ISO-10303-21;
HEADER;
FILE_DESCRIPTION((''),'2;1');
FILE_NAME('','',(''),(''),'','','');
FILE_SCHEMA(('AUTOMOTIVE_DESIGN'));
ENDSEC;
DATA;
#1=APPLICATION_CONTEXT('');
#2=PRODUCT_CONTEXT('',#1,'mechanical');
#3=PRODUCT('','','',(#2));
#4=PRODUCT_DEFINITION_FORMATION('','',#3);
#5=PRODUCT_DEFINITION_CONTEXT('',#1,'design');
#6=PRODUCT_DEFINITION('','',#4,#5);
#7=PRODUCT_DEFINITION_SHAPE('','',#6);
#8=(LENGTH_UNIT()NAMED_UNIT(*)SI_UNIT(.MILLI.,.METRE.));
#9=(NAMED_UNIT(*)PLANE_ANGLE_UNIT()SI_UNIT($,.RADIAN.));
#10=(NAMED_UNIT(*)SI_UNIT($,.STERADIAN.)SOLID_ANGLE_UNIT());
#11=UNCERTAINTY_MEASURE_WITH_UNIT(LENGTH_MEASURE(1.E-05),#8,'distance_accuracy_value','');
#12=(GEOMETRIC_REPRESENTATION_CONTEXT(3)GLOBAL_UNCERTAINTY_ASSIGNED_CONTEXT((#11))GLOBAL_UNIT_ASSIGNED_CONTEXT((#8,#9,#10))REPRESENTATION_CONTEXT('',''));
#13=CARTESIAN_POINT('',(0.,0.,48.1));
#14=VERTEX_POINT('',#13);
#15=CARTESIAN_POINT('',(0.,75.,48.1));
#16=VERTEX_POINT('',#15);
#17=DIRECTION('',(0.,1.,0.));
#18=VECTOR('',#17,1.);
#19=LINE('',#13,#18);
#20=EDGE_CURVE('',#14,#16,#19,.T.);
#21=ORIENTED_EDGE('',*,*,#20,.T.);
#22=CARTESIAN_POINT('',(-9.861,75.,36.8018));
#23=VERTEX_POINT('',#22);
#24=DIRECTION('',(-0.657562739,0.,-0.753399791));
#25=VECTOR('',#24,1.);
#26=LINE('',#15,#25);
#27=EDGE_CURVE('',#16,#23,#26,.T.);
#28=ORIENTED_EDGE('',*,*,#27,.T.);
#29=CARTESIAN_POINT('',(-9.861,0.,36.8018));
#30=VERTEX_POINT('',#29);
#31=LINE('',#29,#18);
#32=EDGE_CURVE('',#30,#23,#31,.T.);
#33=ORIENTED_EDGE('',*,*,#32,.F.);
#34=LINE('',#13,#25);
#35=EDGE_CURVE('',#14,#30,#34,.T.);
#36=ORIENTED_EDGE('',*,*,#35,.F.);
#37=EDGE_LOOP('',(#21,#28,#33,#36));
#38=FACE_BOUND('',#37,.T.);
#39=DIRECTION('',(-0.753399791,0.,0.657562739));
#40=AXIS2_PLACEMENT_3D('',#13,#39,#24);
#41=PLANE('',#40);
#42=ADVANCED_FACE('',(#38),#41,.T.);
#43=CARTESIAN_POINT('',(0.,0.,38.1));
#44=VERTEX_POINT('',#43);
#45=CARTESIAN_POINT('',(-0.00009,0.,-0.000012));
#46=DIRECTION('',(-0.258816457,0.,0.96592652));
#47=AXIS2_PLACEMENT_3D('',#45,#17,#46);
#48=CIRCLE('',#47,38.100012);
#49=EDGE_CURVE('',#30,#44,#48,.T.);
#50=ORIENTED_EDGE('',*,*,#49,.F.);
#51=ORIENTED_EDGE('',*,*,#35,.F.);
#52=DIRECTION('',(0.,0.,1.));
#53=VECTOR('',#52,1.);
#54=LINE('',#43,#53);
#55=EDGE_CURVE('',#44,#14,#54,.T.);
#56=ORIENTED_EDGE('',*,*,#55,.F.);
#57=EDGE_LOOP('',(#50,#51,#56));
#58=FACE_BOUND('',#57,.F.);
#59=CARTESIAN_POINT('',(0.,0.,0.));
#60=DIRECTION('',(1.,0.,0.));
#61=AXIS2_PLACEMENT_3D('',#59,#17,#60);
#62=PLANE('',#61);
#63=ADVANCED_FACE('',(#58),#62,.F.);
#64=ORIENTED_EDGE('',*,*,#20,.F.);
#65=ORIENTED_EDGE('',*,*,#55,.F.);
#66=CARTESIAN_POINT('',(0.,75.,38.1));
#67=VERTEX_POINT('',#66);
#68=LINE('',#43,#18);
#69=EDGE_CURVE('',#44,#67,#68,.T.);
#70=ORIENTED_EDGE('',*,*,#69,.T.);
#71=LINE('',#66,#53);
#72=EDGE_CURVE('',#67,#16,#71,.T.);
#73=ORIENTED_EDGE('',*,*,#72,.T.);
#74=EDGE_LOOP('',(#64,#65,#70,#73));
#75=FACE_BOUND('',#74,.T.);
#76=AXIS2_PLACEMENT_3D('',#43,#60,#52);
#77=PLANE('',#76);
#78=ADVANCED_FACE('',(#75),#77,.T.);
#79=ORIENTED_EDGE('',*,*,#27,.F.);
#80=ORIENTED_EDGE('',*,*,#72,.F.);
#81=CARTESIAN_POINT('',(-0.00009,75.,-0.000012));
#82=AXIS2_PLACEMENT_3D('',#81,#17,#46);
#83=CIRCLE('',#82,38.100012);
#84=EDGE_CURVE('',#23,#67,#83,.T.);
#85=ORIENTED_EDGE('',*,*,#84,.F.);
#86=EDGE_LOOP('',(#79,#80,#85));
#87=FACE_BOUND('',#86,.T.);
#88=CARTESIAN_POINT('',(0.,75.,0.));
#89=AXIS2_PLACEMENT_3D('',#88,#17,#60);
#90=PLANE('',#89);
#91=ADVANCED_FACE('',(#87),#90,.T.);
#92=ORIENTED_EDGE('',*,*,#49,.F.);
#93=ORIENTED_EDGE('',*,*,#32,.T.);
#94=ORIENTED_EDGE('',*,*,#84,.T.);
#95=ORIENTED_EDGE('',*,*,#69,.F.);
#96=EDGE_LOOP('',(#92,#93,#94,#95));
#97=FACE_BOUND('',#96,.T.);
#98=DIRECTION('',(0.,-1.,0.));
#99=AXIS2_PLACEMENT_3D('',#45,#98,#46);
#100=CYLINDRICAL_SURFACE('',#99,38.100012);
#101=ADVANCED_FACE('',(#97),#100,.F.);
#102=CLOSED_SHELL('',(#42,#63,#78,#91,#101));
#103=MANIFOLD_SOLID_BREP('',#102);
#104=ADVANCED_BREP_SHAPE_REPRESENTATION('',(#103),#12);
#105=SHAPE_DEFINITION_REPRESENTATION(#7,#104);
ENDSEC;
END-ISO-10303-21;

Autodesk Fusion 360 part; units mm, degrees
sketch "Sketch1" plane through (0, 0, 0) normal (0, 1, 0) x (1, 0, 0)
  arc A0 (-9.861, -36.8018) -> (0, -38.1) centre (0, 0) ccw
  line L0 (0, -38.1) -> (0, -48.1)
  line L1 (0, -48.1) -> (-9.861, -36.8018)
  line L2 (0, 0) -> (-9.861, -36.8018) construction
  line L3 (0, -38.1) -> (0, 0) construction
  line L4 (-3.8826, -38.1) -> (9.4481, -38.1) construction
  dimension "d1" = 38.1
  dimension "d2" = 15
  dimension "d3" = 10
extrude "Extrude1" add sketch "Sketch1" along normal blind 75
equation "d1 = ( 76.20 / 2 ) * 1 mm"
